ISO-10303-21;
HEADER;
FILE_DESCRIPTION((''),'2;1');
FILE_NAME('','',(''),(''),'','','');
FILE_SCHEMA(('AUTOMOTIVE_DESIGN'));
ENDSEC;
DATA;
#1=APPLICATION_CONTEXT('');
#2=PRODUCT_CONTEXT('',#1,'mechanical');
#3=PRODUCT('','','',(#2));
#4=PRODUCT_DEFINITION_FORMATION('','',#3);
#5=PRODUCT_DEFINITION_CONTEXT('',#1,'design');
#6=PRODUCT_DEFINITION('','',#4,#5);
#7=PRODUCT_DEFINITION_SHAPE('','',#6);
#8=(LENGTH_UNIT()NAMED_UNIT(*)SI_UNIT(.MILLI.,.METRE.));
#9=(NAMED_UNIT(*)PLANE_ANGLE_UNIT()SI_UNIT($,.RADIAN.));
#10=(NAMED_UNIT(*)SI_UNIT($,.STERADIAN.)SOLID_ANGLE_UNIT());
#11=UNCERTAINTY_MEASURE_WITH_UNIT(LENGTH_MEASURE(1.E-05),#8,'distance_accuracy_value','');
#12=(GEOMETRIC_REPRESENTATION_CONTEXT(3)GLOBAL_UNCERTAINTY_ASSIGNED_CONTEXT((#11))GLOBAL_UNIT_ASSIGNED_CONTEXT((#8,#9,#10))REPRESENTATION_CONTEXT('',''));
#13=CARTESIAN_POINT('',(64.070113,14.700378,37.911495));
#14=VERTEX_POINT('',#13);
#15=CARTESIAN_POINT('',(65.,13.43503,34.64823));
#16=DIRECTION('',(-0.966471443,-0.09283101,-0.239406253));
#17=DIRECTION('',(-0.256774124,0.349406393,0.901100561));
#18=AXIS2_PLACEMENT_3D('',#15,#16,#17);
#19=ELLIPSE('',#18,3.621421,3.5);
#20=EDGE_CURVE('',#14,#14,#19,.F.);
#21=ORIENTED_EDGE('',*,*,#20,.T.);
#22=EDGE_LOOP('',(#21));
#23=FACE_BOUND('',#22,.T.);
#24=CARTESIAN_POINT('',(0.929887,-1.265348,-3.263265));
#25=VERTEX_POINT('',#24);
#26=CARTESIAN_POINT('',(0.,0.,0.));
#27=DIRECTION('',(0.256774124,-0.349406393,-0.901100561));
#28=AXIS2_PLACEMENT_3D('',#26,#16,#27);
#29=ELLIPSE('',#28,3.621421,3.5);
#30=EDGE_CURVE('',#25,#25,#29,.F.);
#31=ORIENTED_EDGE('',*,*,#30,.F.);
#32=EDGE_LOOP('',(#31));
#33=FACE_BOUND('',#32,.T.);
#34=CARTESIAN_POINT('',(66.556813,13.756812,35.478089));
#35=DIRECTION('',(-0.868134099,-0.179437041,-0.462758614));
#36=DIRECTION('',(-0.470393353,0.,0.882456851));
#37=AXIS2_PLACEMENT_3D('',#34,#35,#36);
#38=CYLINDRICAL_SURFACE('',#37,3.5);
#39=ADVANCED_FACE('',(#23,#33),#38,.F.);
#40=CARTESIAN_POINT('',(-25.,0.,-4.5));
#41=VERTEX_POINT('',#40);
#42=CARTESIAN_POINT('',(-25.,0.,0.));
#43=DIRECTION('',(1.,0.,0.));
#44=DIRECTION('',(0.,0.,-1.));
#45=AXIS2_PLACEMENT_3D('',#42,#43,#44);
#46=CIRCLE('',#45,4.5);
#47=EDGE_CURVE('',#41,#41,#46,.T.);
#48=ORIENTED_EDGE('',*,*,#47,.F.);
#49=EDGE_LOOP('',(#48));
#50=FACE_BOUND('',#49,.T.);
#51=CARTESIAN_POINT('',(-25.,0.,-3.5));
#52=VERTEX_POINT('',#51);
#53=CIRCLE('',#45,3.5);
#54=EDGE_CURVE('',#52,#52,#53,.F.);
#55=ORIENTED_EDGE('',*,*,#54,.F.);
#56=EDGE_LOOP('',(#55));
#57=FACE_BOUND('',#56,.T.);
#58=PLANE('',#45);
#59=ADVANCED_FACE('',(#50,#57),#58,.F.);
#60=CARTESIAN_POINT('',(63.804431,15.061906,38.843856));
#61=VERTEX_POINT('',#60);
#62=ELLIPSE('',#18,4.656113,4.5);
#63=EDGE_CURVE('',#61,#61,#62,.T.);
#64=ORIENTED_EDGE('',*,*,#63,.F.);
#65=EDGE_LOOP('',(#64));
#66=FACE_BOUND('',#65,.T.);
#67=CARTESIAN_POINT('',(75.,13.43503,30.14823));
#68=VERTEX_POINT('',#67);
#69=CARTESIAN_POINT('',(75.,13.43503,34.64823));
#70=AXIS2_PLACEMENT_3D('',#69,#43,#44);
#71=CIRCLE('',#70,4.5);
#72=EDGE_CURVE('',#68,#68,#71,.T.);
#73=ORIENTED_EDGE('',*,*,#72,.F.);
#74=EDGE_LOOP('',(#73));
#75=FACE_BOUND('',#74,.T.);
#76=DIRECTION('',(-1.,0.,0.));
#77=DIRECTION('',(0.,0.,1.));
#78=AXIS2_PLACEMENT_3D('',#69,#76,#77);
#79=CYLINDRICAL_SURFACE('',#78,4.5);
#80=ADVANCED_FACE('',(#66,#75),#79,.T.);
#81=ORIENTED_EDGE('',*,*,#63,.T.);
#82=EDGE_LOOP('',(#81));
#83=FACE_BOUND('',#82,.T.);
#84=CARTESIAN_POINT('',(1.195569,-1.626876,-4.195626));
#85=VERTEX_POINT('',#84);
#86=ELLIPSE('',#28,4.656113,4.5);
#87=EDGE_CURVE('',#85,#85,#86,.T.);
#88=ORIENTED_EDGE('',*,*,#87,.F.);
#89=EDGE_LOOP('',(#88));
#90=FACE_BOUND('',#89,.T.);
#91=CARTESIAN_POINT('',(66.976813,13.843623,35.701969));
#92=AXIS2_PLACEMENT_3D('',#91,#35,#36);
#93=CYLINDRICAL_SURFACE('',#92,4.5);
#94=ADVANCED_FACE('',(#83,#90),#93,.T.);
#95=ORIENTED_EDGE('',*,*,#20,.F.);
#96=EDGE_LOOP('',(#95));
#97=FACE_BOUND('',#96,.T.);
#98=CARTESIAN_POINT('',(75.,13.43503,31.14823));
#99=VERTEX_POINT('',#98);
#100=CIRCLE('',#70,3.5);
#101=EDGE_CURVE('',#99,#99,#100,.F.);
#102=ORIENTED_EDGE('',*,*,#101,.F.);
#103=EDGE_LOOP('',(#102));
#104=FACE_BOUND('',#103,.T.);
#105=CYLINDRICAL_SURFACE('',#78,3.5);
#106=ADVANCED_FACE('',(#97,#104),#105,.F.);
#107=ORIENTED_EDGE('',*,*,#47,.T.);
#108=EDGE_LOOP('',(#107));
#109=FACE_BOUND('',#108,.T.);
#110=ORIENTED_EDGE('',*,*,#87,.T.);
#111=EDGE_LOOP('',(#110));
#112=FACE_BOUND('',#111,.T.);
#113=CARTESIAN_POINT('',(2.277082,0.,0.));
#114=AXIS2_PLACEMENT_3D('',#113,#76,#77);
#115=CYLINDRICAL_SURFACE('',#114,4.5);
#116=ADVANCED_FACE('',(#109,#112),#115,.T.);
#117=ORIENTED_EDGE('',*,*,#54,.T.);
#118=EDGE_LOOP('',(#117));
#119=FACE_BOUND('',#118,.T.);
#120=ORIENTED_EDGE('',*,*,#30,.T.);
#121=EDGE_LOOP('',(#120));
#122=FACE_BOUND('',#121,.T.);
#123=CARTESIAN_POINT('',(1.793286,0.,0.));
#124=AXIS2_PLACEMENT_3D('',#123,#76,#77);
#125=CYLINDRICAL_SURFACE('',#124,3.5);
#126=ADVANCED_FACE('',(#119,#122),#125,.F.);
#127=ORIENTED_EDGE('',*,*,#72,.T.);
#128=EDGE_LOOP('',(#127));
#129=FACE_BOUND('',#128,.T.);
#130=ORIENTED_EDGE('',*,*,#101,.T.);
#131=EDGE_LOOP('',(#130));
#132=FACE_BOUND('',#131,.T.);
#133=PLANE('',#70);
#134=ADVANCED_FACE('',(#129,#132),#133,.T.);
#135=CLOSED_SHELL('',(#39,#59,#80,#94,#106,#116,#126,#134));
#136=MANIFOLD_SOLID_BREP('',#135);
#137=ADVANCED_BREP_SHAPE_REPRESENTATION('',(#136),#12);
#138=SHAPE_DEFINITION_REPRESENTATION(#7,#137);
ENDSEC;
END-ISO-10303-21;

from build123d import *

# Parameters (mm, degrees)
SKETCH2_R   = 4.5
SKETCH2_R_2 = 3.5


with BuildPart() as part:
    # Sweep1: sweep along a curve in space
    with BuildLine() as sweep1_path:
        Line((0, 0, 0), (-25, 0, 0))
        Line((0, 0, 0), (65, 13.43503, 34.64823))
        Line((65, 13.43503, 34.64823), (75, 13.43503, 34.64823))
    # Sketch2 → Sweep1 (sweep)
    with BuildSketch(Plane(origin=(0, 0, 0), x_dir=(0, 0, -1), z_dir=(1, 0, 0))):
        Circle(SKETCH2_R)
        Circle(SKETCH2_R_2, mode=Mode.SUBTRACT)
    sweep(path=sweep1_path.line, transition=Transition.RIGHT)


solid = part.part
